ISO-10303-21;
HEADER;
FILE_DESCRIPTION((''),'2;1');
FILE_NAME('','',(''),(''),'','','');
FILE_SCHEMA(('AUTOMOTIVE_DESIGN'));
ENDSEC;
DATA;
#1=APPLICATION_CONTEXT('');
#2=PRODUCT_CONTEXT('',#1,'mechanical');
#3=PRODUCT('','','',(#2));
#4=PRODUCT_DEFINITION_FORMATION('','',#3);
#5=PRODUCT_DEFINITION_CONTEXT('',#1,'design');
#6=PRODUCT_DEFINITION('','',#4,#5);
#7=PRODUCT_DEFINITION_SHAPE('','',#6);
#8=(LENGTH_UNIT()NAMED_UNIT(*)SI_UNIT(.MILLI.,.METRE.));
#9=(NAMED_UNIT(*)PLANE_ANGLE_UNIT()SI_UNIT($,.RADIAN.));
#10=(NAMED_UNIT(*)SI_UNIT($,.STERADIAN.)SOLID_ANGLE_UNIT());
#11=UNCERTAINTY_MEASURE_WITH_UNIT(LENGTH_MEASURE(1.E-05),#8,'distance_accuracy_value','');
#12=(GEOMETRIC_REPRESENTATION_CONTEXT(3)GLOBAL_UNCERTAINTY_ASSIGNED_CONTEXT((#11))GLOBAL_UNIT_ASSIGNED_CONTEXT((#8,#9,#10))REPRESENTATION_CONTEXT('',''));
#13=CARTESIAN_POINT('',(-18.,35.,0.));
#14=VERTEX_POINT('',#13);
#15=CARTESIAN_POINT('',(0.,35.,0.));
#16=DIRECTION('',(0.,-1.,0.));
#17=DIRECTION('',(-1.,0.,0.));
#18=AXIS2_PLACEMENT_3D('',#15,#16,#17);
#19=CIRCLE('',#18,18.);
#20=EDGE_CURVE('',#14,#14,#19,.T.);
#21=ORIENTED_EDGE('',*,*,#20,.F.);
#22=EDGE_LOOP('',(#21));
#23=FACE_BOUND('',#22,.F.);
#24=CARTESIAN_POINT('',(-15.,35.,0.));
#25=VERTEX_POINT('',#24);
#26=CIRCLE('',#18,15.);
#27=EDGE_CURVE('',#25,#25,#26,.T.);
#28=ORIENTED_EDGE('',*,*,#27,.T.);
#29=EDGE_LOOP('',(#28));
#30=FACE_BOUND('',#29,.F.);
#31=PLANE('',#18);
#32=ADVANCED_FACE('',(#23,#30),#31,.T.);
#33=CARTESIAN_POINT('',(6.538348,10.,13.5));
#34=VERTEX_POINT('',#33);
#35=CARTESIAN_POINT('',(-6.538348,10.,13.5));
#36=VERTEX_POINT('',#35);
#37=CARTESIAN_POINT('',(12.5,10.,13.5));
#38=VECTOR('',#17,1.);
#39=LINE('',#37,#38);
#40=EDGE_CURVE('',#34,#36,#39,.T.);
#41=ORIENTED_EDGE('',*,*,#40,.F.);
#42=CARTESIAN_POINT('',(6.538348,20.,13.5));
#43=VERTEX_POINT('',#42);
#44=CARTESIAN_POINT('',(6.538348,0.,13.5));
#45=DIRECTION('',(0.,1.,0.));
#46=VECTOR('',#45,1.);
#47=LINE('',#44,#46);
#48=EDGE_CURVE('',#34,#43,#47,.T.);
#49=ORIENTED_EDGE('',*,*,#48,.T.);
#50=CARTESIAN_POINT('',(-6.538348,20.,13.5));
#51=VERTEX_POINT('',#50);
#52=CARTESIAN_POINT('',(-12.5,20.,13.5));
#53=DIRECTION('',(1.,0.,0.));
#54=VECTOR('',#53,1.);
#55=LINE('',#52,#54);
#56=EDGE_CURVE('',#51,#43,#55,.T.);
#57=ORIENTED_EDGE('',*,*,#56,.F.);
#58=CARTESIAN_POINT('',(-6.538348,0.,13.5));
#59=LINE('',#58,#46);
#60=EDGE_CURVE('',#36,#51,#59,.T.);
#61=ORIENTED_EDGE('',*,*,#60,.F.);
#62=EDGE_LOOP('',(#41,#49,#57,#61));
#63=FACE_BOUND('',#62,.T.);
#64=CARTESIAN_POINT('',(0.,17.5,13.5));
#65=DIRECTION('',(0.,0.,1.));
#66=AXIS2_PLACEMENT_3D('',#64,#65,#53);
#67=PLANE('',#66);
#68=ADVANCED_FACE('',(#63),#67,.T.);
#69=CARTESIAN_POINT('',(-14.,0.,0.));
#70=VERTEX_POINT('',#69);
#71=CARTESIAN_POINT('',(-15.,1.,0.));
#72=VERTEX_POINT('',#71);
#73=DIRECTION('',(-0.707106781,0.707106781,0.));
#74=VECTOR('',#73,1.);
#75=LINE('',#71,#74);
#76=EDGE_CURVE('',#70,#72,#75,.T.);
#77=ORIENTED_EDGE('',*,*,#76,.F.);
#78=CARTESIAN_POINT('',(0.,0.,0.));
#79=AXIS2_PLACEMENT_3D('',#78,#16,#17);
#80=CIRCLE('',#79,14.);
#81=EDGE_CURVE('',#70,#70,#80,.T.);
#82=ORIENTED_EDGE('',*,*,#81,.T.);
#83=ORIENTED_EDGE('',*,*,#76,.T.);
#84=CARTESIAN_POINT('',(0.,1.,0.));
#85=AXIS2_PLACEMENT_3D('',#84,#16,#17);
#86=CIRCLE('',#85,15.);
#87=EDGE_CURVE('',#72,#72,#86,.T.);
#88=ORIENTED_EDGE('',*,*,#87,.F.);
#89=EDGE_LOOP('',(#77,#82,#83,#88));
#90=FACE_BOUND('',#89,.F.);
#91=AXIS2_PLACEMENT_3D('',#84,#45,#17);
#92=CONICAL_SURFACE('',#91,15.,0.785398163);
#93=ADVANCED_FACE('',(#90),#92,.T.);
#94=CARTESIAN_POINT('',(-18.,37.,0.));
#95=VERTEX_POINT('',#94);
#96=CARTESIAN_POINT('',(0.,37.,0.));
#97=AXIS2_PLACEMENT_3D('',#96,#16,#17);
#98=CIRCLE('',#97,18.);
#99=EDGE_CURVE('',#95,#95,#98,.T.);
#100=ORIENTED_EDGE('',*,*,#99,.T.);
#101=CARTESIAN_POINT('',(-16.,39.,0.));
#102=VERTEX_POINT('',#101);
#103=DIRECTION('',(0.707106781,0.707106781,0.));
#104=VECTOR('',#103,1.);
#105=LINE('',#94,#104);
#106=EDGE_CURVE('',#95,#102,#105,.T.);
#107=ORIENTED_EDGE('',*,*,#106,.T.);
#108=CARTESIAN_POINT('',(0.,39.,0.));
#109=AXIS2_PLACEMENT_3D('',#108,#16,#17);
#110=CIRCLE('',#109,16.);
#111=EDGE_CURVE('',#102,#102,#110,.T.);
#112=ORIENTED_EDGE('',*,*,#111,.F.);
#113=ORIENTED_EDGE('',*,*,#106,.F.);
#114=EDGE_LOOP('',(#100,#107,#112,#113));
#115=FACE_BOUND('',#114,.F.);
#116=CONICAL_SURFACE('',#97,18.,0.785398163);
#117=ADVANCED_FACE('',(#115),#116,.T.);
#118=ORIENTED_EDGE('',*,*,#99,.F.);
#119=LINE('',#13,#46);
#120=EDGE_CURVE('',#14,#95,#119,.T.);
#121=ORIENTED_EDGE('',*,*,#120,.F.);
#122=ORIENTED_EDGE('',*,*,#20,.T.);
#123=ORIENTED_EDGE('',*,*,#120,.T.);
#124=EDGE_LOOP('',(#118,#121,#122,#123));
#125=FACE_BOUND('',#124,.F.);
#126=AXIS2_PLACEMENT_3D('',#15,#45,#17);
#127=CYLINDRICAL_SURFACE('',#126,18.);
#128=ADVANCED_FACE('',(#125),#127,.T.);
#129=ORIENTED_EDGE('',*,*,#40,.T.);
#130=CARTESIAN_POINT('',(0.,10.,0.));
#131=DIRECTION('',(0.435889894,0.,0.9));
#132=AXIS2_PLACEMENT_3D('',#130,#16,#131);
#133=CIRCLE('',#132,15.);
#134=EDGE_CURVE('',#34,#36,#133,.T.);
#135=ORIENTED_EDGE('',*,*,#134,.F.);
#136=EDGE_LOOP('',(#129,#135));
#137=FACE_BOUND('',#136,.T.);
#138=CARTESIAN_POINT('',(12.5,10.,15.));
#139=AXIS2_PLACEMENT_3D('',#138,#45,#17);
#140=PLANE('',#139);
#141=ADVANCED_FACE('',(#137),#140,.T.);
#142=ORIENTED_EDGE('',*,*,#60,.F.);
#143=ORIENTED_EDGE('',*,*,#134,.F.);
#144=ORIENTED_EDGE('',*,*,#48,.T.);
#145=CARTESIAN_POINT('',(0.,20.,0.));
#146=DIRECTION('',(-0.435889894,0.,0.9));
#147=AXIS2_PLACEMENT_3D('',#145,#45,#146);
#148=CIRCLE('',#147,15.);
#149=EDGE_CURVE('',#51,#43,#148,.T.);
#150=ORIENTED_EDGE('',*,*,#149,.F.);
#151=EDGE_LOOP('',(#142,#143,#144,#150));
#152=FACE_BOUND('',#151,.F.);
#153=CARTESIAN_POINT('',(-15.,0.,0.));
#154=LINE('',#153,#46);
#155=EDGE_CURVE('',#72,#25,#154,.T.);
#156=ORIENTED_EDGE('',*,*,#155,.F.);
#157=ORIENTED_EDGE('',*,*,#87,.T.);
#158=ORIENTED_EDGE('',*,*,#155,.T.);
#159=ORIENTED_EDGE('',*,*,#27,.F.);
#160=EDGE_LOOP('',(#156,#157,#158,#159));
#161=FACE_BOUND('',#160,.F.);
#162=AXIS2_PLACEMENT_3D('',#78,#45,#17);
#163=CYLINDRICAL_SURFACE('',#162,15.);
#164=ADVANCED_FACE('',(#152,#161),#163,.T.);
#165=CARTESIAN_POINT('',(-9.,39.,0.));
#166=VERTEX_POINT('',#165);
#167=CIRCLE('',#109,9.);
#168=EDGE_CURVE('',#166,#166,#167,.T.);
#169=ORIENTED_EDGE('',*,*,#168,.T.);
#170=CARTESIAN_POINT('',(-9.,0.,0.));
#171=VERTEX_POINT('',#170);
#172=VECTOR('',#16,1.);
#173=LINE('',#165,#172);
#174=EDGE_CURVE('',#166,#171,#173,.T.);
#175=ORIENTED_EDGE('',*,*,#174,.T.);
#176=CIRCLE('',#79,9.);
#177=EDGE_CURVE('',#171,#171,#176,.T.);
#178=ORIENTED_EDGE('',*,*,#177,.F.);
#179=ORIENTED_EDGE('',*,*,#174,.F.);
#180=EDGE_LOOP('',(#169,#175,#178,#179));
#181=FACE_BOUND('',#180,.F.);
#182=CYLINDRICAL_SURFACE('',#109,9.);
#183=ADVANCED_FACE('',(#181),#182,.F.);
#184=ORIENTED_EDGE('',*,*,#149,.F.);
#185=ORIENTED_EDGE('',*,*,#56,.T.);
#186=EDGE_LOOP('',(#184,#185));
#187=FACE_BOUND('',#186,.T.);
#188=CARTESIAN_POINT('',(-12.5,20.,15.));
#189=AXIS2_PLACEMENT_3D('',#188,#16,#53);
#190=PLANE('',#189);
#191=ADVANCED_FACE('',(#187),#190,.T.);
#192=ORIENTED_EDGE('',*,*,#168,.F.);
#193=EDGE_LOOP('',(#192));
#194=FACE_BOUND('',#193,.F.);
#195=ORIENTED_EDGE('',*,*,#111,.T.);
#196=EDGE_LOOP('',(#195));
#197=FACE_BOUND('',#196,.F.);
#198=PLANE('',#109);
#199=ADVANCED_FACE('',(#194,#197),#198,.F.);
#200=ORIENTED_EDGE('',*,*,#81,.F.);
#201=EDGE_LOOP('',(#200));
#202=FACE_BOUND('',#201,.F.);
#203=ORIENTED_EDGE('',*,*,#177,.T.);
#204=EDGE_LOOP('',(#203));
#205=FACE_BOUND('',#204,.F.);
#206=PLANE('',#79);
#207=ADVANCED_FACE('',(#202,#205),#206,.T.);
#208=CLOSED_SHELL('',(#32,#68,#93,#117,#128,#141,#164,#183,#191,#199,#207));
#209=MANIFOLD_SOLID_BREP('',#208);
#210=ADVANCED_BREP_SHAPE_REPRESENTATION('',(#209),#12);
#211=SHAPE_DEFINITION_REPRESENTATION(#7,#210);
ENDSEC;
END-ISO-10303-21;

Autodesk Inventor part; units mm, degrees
ref_plane "YZ Plane" through (0, 0, 0) normal (1, 0, 0) x (0, 1, 0)
ref_plane "XZ Plane" through (0, 0, 0) normal (0, 1, 0) x (-1, 0, 0)
sketch "Sketch1" plane through (0, 0, 0) normal (0, 0, 1) x (1, 0, 0)
  line L0 (-9, 0) -> (-15, 0)
  line L1 (-15, 0) -> (-15, 35)
  line L2 (-15, 35) -> (-18, 35)
  line L3 (-18, 35) -> (-18, 37)
  line L4 (-18, 37) -> (-16, 39)
  line L5 (-16, 39) -> (-9, 39)
  line L6 (-9, 39) -> (-9, 0)
  line L7 (0, 39) -> (0, 0)
  dimension "d0" = 18
  dimension "d1" = 30
  dimension "d2" = 36
  dimension "d3" = 32
  dimension "d4" = 2
  dimension "d5" = 2
  dimension "d6" = 39
revolve "Revolution1" add sketch "Sketch1" angle 360 about axis through (0, 39, 0) along (0, -1, 0)
chamfer "Chamfer1" distance 1 angle 45 1 edges at (15, 0, 0)
thread "Thread1" size "TR20x2" class "7H" standard "ISO Metric Trapezoidal Threads" full length
ref_plane "Work Plane2" through (0, 17.5, 15) normal (0, 0, 1) x (1, 0, 0)
sketch "Sketch3" plane through (0, 17.5, 15) normal (0, 0, 1) x (1, 0, 0)
  line L0 (12.5, -7.5) -> (-12.5, -7.5)
  line L1 (-12.5, -7.5) -> (-12.5, 2.5)
  line L2 (-12.5, 2.5) -> (12.5, 2.5)
  line L3 (12.5, 2.5) -> (12.5, -7.5)
  line L4 (12.5, -7.5) -> (-12.5, 2.5) construction
  line L5 (-12.5, -7.5) -> (12.5, 2.5) construction
  point P0 (0, -17.5)
  point P1 (0, -2.5)
  dimension "d16" = 25
  dimension "d17" = 10
  dimension "d18" = 15
extrude "Extrusion1" cut sketch "Sketch3" against normal blind 1.5
